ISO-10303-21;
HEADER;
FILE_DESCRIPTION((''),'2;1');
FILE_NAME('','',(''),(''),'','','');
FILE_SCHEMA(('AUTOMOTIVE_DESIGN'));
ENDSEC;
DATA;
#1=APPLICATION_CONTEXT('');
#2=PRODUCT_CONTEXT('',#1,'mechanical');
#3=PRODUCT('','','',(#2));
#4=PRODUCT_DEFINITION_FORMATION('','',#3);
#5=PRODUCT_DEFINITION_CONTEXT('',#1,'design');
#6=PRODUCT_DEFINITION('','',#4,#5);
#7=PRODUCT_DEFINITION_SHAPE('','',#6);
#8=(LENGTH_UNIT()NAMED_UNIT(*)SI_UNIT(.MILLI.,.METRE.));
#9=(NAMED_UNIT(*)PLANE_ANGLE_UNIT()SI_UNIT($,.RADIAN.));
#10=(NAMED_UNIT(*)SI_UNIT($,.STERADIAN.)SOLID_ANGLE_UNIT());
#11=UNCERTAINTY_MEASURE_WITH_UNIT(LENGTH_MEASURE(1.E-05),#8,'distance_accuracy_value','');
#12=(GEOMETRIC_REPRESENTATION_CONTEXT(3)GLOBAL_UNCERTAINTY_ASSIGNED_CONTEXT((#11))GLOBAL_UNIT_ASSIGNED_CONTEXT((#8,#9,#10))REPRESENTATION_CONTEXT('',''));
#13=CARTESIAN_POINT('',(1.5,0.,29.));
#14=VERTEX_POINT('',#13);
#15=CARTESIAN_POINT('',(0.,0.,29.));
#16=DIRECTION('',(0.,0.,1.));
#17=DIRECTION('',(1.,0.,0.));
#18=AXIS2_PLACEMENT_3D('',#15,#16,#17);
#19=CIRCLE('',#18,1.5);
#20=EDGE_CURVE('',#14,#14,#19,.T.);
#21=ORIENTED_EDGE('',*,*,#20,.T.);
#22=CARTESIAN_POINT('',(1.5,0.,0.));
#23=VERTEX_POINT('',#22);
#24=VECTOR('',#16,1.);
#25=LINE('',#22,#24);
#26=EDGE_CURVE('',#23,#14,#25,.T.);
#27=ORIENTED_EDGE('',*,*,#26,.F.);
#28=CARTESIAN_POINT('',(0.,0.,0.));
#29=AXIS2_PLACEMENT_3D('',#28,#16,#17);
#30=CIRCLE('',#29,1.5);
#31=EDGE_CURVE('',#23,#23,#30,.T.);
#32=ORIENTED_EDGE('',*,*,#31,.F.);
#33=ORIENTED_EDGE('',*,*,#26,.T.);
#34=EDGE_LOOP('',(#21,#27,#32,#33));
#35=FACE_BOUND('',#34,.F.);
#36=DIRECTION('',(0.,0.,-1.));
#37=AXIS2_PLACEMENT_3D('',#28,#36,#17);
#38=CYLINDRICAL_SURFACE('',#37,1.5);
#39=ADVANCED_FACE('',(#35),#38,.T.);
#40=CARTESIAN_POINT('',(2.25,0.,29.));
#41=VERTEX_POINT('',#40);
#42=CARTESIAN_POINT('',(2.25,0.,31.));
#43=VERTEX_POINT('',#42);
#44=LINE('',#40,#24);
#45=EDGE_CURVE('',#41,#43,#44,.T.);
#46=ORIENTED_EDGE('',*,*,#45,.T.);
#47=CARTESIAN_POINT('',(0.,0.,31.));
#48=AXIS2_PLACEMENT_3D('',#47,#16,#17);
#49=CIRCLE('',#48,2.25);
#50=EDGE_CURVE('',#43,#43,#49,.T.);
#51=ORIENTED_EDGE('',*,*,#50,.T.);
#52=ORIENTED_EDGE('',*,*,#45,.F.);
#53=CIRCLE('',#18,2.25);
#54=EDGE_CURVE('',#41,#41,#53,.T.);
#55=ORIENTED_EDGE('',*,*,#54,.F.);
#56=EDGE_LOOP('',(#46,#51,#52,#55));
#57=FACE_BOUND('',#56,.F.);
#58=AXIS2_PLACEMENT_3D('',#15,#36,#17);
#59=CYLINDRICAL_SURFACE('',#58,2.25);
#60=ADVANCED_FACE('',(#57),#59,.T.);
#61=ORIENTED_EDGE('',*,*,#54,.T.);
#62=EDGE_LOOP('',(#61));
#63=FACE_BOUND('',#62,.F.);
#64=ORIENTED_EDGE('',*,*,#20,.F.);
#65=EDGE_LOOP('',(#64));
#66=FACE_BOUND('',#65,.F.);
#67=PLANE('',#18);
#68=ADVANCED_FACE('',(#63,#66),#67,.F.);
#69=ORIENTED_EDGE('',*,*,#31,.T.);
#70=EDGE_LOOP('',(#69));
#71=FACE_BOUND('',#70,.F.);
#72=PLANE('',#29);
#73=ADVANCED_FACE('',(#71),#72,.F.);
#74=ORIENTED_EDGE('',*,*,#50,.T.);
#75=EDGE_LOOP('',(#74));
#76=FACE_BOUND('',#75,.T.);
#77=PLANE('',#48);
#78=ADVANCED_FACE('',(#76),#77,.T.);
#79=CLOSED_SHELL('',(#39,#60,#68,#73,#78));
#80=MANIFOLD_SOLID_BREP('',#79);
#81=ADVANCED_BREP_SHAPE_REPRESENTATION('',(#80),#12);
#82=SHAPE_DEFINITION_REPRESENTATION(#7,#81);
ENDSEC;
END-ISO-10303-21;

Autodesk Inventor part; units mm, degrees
ref_plane "YZ Plane" through (0, 0, 0) normal (1, 0, 0) x (0, 1, 0)
ref_plane "XZ Plane" through (0, 0, 0) normal (0, 1, 0) x (-1, 0, 0)
ref_plane "XY Plane" through (0, 0, 0) normal (0, 0, 1) x (1, 0, 0)
sketch "Эскиз1" plane through (0, 0, 0) normal (0, 0, 1) x (1, 0, 0)
  circle A0 centre (0, 0) radius 1.5
  dimension "d0" = 3
extrude "Выдавливание1" add sketch "Эскиз1" along normal blind 29
sketch "Эскиз2" plane through (0, 0, 29) normal (0, 0, 1) x (1, 0, 0)
  circle A0 centre (0, 0) radius 2.25
  dimension "d3" = 4.5
extrude "Выдавливание2" add sketch "Эскиз2" along normal blind 2
properties part number "m3x29"
